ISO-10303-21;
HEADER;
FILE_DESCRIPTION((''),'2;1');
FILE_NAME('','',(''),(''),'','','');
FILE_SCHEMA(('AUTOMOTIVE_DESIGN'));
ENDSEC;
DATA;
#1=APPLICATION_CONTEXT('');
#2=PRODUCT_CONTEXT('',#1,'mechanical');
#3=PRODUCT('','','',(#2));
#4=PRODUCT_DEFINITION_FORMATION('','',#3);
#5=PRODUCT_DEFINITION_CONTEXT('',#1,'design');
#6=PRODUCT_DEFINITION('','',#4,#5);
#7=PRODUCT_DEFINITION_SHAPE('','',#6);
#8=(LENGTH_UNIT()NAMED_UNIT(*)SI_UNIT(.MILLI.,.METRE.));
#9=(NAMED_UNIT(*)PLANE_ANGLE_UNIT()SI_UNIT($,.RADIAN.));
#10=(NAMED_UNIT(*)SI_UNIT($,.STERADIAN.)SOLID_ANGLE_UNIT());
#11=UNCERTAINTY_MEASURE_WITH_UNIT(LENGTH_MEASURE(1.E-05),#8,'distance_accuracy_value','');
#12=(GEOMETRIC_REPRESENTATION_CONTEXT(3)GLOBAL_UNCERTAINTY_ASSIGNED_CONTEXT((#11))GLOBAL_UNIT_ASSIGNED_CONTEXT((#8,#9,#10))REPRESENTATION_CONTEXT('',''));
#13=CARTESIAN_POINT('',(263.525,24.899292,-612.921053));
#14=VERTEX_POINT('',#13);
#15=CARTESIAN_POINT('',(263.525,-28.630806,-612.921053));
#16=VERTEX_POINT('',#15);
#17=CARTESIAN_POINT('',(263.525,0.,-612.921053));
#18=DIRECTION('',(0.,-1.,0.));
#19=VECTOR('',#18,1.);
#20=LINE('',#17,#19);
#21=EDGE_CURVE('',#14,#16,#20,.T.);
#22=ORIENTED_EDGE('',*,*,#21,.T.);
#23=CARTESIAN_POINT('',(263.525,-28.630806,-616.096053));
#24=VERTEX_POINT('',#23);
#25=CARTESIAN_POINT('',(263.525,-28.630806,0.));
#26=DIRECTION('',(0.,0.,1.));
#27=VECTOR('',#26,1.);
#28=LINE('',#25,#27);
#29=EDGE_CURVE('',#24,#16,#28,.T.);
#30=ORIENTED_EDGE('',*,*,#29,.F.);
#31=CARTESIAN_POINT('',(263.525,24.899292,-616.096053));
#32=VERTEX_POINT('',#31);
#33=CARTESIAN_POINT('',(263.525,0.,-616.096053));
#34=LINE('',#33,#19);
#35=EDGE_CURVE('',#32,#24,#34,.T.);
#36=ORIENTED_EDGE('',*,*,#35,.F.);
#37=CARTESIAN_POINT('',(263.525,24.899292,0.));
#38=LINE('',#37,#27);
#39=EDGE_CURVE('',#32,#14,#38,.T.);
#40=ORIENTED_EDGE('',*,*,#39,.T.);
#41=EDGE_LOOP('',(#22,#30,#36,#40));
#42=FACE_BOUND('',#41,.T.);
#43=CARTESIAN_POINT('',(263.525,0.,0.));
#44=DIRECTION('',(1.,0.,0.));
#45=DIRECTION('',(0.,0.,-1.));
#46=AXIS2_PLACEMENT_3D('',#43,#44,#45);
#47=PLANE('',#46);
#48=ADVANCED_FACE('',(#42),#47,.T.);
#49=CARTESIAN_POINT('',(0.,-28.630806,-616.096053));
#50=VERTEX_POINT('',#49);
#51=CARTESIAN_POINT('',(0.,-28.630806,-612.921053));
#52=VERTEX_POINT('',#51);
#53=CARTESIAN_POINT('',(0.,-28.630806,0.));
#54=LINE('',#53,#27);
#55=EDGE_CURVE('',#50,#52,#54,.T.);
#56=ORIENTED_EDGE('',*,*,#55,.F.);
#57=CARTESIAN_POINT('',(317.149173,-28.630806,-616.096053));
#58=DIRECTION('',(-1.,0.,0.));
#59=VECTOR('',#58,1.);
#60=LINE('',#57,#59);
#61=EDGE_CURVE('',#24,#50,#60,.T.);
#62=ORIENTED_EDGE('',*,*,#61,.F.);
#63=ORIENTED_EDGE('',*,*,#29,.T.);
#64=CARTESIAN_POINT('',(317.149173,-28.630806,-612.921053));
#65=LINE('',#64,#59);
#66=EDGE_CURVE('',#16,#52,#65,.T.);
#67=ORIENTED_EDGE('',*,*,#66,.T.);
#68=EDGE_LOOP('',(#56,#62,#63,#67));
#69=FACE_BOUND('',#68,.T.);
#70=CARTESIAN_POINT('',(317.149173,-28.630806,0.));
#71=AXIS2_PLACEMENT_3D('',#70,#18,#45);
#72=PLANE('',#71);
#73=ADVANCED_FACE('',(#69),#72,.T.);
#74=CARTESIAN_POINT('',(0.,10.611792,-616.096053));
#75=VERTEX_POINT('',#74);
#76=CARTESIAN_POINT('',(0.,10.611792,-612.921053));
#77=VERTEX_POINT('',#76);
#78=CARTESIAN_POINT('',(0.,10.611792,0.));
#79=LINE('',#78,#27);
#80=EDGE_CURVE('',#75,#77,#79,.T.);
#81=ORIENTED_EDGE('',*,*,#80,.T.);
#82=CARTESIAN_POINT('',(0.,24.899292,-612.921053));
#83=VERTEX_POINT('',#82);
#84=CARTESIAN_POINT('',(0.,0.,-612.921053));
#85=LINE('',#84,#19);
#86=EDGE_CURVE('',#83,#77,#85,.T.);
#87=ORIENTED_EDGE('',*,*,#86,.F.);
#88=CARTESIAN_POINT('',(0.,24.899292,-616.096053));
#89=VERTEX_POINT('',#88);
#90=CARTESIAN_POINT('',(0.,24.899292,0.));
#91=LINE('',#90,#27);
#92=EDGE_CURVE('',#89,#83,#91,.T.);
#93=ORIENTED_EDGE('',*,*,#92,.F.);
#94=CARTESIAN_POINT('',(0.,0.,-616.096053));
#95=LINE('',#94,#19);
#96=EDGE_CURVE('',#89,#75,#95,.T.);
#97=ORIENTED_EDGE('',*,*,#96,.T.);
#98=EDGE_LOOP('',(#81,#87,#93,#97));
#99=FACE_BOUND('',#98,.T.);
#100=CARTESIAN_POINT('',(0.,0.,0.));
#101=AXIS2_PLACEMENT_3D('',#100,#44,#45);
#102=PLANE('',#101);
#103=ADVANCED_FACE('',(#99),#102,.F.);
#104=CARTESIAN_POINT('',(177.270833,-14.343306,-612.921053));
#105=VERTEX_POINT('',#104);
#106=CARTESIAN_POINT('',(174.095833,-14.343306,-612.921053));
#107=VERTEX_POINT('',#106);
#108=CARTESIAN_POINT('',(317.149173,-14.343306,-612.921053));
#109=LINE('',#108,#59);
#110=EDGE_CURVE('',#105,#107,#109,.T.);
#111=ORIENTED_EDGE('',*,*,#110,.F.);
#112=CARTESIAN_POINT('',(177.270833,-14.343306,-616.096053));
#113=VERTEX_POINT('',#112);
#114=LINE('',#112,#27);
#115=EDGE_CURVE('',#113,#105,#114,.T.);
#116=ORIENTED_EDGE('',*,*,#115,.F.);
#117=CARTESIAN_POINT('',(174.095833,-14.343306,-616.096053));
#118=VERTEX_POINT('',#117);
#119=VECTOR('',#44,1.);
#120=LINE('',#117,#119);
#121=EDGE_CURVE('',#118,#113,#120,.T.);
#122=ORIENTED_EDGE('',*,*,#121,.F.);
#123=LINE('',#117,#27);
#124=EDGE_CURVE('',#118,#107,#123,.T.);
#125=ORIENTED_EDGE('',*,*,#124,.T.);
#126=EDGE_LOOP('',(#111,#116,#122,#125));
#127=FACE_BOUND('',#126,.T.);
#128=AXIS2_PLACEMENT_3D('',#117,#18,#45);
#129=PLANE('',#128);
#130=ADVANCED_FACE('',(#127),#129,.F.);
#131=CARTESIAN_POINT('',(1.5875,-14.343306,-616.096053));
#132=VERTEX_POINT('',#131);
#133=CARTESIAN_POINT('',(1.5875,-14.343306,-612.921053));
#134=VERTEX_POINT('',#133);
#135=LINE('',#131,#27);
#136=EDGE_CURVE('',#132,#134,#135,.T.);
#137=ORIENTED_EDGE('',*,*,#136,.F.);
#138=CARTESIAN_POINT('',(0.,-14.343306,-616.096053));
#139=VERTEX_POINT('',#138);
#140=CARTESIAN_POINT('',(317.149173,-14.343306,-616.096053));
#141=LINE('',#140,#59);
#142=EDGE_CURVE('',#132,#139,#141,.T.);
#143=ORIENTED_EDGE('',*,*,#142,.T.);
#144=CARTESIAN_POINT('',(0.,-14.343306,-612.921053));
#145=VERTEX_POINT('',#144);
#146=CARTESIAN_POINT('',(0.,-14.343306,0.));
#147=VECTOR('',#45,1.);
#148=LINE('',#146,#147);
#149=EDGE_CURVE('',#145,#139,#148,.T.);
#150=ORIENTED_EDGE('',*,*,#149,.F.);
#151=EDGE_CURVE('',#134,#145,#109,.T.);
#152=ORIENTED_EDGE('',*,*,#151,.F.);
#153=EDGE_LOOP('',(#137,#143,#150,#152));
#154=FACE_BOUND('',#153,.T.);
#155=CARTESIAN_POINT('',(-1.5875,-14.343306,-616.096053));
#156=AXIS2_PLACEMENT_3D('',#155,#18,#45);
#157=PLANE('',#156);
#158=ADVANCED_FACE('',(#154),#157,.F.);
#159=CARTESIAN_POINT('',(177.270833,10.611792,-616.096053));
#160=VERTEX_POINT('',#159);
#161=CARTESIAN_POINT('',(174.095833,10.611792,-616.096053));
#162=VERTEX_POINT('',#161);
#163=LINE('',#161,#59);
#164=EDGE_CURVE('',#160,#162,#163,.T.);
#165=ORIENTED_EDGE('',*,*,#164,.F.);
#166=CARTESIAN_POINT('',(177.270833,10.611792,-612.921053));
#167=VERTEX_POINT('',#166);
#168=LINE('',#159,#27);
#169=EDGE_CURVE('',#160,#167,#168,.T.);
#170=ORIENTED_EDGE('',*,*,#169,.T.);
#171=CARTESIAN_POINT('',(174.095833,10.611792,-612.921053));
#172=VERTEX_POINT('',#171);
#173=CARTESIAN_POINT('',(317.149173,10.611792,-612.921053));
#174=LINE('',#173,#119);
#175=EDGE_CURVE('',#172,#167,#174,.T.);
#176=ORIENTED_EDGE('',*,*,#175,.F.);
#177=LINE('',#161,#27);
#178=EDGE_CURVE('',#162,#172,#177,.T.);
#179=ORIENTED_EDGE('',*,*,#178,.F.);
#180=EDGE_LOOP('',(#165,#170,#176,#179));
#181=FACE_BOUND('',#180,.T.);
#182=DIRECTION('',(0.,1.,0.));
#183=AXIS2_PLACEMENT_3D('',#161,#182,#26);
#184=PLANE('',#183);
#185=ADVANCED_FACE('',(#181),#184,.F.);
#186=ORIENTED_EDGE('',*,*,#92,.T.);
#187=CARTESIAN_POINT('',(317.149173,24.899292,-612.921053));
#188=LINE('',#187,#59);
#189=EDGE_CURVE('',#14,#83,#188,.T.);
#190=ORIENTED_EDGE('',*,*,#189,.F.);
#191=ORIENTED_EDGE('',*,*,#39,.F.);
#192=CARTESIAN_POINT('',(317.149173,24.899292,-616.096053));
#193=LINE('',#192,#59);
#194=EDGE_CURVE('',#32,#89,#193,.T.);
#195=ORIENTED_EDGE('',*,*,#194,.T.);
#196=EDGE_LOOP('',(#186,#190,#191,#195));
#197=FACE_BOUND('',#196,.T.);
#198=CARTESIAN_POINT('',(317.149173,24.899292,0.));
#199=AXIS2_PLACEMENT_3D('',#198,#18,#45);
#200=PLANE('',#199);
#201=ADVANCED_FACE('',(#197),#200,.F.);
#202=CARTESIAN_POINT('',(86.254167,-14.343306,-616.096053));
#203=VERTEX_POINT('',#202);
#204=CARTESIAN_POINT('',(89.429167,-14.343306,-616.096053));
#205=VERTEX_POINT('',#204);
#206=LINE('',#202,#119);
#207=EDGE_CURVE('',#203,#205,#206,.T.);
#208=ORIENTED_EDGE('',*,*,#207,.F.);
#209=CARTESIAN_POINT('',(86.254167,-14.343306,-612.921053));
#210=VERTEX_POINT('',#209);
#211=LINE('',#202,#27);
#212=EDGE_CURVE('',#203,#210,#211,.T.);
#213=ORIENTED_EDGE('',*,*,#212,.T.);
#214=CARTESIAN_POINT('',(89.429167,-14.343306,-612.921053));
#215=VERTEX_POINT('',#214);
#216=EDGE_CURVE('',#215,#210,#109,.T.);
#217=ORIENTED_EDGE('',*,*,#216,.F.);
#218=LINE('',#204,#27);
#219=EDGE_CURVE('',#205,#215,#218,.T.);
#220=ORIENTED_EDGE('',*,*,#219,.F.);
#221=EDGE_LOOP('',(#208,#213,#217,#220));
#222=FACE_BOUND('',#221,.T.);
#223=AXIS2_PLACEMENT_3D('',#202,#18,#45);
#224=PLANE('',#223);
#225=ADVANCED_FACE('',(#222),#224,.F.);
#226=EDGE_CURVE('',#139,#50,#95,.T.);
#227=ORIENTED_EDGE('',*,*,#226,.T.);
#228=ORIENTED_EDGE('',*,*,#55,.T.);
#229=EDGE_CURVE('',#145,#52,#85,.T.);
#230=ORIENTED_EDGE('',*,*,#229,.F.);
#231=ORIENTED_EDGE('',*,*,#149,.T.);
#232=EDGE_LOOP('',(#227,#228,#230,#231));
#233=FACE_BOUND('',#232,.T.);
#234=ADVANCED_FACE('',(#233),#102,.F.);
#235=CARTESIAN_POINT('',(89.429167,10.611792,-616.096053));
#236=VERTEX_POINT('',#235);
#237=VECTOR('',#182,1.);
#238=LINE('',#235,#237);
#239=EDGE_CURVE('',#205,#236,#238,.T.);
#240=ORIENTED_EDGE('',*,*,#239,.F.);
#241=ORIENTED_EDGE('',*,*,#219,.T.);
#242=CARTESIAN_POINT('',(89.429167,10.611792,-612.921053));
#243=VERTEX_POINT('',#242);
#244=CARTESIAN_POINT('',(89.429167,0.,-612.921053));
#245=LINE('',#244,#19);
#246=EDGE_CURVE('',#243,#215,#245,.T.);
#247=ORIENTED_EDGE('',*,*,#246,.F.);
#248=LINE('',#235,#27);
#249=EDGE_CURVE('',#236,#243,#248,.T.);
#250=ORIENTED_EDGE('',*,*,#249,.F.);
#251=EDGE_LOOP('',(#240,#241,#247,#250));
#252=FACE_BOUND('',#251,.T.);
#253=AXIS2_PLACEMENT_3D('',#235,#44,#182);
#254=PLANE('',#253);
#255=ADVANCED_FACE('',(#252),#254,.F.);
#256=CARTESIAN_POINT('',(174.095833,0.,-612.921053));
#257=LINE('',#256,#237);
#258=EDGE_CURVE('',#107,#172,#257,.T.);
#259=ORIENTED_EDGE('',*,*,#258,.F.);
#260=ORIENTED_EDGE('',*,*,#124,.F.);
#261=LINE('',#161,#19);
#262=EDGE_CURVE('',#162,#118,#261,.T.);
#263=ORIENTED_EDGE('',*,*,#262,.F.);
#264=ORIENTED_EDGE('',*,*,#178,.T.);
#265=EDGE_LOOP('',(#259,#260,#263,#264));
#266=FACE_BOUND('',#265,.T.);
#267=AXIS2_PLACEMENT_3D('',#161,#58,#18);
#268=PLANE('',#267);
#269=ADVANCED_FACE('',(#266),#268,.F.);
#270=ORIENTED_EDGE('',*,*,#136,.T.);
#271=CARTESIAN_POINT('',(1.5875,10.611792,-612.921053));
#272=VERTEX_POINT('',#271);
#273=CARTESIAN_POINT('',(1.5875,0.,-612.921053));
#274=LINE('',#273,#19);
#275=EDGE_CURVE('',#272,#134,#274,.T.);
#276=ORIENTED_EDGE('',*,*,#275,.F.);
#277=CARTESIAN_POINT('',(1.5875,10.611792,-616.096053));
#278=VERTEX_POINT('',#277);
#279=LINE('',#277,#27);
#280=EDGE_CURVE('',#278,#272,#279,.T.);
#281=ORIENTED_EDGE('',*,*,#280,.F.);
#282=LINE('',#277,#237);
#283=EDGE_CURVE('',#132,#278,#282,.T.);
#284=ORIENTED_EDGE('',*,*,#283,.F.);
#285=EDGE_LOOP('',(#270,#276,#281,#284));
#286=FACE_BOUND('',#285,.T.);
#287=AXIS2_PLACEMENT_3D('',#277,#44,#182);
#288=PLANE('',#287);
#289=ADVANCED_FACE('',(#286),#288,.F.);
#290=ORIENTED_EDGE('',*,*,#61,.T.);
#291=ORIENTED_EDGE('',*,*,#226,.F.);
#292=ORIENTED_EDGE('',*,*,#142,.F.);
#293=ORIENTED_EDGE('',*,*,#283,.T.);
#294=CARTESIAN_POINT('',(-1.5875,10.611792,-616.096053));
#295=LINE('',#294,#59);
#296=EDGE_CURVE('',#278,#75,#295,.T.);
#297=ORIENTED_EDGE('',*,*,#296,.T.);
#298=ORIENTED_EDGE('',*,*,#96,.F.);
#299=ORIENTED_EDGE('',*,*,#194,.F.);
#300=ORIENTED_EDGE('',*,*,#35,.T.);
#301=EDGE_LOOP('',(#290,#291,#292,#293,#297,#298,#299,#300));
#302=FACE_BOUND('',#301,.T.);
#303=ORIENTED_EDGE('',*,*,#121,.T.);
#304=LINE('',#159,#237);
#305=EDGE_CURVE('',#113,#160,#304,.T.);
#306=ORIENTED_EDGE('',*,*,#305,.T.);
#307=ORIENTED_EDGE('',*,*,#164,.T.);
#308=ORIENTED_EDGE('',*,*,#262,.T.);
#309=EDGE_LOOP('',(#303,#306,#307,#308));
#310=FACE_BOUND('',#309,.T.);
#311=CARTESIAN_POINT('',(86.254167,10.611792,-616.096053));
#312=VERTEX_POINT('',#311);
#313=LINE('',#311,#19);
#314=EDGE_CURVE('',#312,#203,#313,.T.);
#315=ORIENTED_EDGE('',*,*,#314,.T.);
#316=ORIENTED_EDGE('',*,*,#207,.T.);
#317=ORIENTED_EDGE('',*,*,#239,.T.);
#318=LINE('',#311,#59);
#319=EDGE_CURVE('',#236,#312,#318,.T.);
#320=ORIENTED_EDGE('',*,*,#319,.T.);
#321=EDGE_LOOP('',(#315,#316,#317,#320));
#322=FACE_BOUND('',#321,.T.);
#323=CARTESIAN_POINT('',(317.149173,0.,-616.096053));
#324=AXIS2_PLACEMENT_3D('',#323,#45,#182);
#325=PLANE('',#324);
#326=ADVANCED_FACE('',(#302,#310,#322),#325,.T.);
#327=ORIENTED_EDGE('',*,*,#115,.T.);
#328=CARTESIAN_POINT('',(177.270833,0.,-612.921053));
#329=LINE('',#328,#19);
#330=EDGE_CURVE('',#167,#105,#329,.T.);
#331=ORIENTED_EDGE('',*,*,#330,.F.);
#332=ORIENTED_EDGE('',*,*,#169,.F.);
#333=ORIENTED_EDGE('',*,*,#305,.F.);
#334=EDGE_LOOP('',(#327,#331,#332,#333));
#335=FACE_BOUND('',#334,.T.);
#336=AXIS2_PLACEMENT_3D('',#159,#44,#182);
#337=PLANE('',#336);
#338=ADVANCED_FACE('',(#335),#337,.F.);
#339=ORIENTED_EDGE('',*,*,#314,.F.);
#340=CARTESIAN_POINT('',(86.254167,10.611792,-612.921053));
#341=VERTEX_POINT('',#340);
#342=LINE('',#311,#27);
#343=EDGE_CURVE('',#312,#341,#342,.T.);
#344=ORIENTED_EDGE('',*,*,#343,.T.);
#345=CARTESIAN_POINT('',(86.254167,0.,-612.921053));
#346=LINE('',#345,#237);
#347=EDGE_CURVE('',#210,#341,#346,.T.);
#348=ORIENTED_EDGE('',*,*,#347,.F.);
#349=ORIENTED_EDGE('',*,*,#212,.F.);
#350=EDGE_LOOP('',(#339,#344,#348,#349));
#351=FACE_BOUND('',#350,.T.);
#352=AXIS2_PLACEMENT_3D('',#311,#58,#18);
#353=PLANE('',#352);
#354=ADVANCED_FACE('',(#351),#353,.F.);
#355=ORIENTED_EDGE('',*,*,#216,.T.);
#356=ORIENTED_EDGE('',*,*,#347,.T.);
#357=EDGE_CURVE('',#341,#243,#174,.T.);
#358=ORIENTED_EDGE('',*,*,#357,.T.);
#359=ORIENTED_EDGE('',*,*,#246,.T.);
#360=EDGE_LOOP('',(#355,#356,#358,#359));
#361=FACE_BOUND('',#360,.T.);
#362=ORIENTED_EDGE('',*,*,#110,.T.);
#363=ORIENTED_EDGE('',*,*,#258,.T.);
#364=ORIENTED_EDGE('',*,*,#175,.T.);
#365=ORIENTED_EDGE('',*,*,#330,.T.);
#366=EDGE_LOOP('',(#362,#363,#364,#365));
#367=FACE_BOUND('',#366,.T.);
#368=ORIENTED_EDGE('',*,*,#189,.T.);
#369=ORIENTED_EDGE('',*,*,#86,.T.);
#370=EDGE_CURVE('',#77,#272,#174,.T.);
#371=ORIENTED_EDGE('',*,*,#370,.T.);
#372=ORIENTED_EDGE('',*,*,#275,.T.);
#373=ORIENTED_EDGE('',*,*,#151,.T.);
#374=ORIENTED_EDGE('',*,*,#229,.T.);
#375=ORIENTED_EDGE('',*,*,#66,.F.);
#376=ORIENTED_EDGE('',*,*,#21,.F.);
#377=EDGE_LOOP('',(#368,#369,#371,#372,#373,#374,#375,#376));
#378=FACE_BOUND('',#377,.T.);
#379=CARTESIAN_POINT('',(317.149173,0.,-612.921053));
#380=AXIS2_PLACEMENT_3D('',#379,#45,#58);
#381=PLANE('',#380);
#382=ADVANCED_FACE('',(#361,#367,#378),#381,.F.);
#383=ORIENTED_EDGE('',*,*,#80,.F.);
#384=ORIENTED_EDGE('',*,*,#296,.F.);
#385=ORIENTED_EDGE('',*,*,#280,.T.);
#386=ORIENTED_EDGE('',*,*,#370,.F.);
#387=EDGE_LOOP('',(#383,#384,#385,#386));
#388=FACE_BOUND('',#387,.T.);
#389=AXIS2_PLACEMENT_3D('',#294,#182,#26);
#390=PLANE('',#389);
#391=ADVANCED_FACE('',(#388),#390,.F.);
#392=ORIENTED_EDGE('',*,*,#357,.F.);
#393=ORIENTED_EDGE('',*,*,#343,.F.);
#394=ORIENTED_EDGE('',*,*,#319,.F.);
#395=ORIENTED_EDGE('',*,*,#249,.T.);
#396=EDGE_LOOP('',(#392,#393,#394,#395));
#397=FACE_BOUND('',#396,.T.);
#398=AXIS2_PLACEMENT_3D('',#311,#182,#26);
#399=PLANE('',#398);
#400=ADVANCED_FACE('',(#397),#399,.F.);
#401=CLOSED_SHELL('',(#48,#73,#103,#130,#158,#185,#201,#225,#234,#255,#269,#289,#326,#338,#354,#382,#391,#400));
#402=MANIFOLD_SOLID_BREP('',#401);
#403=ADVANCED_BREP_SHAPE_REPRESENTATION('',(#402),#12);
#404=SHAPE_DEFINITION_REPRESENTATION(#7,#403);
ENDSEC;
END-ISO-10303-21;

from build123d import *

# Parameters (mm, degrees)
SKETCH1_W           = 3.175
SKETCH1_H           = 53.530097244
BOSS_EXTRUDE1_DEPTH = 263.525
SKETCH5_W           = 3.175
SKETCH5_H           = 24.955097244
CUT_EXTRUDE1_DEPTH  = 266.094755278
LPATTERN1_COUNT     = 4
LPATTERN1_PITCH     = 87.841666667


with BuildPart() as part:
    # Sketch1 → Boss-Extrude1 (new body)
    with BuildSketch(Plane(origin=(0, 0, 0), x_dir=(0, 0, -1), z_dir=(1, 0, 0))):
        with Locations((614.508553399, -1.865756921)):
            Rectangle(SKETCH1_W, SKETCH1_H)
    extrude(amount=BOSS_EXTRUDE1_DEPTH)

    # Sketch5 → Cut-Extrude1 (cut, symmetric)
    with BuildSketch(Plane.XY.offset(-612.921053399)):
        with Locations((0, -1.865756921)):
            Rectangle(SKETCH5_W, SKETCH5_H)
    cut_extrude1 = extrude(amount=CUT_EXTRUDE1_DEPTH, both=True, mode=Mode.SUBTRACT)

    # LPattern1: Cut-Extrude1 ×4, 1 skipped
    with Locations(*[(i * LPATTERN1_PITCH, 0, 0) for i in range(1, LPATTERN1_COUNT) if i not in (3,)]):
        add(cut_extrude1, mode=Mode.SUBTRACT)


solid = part.part
